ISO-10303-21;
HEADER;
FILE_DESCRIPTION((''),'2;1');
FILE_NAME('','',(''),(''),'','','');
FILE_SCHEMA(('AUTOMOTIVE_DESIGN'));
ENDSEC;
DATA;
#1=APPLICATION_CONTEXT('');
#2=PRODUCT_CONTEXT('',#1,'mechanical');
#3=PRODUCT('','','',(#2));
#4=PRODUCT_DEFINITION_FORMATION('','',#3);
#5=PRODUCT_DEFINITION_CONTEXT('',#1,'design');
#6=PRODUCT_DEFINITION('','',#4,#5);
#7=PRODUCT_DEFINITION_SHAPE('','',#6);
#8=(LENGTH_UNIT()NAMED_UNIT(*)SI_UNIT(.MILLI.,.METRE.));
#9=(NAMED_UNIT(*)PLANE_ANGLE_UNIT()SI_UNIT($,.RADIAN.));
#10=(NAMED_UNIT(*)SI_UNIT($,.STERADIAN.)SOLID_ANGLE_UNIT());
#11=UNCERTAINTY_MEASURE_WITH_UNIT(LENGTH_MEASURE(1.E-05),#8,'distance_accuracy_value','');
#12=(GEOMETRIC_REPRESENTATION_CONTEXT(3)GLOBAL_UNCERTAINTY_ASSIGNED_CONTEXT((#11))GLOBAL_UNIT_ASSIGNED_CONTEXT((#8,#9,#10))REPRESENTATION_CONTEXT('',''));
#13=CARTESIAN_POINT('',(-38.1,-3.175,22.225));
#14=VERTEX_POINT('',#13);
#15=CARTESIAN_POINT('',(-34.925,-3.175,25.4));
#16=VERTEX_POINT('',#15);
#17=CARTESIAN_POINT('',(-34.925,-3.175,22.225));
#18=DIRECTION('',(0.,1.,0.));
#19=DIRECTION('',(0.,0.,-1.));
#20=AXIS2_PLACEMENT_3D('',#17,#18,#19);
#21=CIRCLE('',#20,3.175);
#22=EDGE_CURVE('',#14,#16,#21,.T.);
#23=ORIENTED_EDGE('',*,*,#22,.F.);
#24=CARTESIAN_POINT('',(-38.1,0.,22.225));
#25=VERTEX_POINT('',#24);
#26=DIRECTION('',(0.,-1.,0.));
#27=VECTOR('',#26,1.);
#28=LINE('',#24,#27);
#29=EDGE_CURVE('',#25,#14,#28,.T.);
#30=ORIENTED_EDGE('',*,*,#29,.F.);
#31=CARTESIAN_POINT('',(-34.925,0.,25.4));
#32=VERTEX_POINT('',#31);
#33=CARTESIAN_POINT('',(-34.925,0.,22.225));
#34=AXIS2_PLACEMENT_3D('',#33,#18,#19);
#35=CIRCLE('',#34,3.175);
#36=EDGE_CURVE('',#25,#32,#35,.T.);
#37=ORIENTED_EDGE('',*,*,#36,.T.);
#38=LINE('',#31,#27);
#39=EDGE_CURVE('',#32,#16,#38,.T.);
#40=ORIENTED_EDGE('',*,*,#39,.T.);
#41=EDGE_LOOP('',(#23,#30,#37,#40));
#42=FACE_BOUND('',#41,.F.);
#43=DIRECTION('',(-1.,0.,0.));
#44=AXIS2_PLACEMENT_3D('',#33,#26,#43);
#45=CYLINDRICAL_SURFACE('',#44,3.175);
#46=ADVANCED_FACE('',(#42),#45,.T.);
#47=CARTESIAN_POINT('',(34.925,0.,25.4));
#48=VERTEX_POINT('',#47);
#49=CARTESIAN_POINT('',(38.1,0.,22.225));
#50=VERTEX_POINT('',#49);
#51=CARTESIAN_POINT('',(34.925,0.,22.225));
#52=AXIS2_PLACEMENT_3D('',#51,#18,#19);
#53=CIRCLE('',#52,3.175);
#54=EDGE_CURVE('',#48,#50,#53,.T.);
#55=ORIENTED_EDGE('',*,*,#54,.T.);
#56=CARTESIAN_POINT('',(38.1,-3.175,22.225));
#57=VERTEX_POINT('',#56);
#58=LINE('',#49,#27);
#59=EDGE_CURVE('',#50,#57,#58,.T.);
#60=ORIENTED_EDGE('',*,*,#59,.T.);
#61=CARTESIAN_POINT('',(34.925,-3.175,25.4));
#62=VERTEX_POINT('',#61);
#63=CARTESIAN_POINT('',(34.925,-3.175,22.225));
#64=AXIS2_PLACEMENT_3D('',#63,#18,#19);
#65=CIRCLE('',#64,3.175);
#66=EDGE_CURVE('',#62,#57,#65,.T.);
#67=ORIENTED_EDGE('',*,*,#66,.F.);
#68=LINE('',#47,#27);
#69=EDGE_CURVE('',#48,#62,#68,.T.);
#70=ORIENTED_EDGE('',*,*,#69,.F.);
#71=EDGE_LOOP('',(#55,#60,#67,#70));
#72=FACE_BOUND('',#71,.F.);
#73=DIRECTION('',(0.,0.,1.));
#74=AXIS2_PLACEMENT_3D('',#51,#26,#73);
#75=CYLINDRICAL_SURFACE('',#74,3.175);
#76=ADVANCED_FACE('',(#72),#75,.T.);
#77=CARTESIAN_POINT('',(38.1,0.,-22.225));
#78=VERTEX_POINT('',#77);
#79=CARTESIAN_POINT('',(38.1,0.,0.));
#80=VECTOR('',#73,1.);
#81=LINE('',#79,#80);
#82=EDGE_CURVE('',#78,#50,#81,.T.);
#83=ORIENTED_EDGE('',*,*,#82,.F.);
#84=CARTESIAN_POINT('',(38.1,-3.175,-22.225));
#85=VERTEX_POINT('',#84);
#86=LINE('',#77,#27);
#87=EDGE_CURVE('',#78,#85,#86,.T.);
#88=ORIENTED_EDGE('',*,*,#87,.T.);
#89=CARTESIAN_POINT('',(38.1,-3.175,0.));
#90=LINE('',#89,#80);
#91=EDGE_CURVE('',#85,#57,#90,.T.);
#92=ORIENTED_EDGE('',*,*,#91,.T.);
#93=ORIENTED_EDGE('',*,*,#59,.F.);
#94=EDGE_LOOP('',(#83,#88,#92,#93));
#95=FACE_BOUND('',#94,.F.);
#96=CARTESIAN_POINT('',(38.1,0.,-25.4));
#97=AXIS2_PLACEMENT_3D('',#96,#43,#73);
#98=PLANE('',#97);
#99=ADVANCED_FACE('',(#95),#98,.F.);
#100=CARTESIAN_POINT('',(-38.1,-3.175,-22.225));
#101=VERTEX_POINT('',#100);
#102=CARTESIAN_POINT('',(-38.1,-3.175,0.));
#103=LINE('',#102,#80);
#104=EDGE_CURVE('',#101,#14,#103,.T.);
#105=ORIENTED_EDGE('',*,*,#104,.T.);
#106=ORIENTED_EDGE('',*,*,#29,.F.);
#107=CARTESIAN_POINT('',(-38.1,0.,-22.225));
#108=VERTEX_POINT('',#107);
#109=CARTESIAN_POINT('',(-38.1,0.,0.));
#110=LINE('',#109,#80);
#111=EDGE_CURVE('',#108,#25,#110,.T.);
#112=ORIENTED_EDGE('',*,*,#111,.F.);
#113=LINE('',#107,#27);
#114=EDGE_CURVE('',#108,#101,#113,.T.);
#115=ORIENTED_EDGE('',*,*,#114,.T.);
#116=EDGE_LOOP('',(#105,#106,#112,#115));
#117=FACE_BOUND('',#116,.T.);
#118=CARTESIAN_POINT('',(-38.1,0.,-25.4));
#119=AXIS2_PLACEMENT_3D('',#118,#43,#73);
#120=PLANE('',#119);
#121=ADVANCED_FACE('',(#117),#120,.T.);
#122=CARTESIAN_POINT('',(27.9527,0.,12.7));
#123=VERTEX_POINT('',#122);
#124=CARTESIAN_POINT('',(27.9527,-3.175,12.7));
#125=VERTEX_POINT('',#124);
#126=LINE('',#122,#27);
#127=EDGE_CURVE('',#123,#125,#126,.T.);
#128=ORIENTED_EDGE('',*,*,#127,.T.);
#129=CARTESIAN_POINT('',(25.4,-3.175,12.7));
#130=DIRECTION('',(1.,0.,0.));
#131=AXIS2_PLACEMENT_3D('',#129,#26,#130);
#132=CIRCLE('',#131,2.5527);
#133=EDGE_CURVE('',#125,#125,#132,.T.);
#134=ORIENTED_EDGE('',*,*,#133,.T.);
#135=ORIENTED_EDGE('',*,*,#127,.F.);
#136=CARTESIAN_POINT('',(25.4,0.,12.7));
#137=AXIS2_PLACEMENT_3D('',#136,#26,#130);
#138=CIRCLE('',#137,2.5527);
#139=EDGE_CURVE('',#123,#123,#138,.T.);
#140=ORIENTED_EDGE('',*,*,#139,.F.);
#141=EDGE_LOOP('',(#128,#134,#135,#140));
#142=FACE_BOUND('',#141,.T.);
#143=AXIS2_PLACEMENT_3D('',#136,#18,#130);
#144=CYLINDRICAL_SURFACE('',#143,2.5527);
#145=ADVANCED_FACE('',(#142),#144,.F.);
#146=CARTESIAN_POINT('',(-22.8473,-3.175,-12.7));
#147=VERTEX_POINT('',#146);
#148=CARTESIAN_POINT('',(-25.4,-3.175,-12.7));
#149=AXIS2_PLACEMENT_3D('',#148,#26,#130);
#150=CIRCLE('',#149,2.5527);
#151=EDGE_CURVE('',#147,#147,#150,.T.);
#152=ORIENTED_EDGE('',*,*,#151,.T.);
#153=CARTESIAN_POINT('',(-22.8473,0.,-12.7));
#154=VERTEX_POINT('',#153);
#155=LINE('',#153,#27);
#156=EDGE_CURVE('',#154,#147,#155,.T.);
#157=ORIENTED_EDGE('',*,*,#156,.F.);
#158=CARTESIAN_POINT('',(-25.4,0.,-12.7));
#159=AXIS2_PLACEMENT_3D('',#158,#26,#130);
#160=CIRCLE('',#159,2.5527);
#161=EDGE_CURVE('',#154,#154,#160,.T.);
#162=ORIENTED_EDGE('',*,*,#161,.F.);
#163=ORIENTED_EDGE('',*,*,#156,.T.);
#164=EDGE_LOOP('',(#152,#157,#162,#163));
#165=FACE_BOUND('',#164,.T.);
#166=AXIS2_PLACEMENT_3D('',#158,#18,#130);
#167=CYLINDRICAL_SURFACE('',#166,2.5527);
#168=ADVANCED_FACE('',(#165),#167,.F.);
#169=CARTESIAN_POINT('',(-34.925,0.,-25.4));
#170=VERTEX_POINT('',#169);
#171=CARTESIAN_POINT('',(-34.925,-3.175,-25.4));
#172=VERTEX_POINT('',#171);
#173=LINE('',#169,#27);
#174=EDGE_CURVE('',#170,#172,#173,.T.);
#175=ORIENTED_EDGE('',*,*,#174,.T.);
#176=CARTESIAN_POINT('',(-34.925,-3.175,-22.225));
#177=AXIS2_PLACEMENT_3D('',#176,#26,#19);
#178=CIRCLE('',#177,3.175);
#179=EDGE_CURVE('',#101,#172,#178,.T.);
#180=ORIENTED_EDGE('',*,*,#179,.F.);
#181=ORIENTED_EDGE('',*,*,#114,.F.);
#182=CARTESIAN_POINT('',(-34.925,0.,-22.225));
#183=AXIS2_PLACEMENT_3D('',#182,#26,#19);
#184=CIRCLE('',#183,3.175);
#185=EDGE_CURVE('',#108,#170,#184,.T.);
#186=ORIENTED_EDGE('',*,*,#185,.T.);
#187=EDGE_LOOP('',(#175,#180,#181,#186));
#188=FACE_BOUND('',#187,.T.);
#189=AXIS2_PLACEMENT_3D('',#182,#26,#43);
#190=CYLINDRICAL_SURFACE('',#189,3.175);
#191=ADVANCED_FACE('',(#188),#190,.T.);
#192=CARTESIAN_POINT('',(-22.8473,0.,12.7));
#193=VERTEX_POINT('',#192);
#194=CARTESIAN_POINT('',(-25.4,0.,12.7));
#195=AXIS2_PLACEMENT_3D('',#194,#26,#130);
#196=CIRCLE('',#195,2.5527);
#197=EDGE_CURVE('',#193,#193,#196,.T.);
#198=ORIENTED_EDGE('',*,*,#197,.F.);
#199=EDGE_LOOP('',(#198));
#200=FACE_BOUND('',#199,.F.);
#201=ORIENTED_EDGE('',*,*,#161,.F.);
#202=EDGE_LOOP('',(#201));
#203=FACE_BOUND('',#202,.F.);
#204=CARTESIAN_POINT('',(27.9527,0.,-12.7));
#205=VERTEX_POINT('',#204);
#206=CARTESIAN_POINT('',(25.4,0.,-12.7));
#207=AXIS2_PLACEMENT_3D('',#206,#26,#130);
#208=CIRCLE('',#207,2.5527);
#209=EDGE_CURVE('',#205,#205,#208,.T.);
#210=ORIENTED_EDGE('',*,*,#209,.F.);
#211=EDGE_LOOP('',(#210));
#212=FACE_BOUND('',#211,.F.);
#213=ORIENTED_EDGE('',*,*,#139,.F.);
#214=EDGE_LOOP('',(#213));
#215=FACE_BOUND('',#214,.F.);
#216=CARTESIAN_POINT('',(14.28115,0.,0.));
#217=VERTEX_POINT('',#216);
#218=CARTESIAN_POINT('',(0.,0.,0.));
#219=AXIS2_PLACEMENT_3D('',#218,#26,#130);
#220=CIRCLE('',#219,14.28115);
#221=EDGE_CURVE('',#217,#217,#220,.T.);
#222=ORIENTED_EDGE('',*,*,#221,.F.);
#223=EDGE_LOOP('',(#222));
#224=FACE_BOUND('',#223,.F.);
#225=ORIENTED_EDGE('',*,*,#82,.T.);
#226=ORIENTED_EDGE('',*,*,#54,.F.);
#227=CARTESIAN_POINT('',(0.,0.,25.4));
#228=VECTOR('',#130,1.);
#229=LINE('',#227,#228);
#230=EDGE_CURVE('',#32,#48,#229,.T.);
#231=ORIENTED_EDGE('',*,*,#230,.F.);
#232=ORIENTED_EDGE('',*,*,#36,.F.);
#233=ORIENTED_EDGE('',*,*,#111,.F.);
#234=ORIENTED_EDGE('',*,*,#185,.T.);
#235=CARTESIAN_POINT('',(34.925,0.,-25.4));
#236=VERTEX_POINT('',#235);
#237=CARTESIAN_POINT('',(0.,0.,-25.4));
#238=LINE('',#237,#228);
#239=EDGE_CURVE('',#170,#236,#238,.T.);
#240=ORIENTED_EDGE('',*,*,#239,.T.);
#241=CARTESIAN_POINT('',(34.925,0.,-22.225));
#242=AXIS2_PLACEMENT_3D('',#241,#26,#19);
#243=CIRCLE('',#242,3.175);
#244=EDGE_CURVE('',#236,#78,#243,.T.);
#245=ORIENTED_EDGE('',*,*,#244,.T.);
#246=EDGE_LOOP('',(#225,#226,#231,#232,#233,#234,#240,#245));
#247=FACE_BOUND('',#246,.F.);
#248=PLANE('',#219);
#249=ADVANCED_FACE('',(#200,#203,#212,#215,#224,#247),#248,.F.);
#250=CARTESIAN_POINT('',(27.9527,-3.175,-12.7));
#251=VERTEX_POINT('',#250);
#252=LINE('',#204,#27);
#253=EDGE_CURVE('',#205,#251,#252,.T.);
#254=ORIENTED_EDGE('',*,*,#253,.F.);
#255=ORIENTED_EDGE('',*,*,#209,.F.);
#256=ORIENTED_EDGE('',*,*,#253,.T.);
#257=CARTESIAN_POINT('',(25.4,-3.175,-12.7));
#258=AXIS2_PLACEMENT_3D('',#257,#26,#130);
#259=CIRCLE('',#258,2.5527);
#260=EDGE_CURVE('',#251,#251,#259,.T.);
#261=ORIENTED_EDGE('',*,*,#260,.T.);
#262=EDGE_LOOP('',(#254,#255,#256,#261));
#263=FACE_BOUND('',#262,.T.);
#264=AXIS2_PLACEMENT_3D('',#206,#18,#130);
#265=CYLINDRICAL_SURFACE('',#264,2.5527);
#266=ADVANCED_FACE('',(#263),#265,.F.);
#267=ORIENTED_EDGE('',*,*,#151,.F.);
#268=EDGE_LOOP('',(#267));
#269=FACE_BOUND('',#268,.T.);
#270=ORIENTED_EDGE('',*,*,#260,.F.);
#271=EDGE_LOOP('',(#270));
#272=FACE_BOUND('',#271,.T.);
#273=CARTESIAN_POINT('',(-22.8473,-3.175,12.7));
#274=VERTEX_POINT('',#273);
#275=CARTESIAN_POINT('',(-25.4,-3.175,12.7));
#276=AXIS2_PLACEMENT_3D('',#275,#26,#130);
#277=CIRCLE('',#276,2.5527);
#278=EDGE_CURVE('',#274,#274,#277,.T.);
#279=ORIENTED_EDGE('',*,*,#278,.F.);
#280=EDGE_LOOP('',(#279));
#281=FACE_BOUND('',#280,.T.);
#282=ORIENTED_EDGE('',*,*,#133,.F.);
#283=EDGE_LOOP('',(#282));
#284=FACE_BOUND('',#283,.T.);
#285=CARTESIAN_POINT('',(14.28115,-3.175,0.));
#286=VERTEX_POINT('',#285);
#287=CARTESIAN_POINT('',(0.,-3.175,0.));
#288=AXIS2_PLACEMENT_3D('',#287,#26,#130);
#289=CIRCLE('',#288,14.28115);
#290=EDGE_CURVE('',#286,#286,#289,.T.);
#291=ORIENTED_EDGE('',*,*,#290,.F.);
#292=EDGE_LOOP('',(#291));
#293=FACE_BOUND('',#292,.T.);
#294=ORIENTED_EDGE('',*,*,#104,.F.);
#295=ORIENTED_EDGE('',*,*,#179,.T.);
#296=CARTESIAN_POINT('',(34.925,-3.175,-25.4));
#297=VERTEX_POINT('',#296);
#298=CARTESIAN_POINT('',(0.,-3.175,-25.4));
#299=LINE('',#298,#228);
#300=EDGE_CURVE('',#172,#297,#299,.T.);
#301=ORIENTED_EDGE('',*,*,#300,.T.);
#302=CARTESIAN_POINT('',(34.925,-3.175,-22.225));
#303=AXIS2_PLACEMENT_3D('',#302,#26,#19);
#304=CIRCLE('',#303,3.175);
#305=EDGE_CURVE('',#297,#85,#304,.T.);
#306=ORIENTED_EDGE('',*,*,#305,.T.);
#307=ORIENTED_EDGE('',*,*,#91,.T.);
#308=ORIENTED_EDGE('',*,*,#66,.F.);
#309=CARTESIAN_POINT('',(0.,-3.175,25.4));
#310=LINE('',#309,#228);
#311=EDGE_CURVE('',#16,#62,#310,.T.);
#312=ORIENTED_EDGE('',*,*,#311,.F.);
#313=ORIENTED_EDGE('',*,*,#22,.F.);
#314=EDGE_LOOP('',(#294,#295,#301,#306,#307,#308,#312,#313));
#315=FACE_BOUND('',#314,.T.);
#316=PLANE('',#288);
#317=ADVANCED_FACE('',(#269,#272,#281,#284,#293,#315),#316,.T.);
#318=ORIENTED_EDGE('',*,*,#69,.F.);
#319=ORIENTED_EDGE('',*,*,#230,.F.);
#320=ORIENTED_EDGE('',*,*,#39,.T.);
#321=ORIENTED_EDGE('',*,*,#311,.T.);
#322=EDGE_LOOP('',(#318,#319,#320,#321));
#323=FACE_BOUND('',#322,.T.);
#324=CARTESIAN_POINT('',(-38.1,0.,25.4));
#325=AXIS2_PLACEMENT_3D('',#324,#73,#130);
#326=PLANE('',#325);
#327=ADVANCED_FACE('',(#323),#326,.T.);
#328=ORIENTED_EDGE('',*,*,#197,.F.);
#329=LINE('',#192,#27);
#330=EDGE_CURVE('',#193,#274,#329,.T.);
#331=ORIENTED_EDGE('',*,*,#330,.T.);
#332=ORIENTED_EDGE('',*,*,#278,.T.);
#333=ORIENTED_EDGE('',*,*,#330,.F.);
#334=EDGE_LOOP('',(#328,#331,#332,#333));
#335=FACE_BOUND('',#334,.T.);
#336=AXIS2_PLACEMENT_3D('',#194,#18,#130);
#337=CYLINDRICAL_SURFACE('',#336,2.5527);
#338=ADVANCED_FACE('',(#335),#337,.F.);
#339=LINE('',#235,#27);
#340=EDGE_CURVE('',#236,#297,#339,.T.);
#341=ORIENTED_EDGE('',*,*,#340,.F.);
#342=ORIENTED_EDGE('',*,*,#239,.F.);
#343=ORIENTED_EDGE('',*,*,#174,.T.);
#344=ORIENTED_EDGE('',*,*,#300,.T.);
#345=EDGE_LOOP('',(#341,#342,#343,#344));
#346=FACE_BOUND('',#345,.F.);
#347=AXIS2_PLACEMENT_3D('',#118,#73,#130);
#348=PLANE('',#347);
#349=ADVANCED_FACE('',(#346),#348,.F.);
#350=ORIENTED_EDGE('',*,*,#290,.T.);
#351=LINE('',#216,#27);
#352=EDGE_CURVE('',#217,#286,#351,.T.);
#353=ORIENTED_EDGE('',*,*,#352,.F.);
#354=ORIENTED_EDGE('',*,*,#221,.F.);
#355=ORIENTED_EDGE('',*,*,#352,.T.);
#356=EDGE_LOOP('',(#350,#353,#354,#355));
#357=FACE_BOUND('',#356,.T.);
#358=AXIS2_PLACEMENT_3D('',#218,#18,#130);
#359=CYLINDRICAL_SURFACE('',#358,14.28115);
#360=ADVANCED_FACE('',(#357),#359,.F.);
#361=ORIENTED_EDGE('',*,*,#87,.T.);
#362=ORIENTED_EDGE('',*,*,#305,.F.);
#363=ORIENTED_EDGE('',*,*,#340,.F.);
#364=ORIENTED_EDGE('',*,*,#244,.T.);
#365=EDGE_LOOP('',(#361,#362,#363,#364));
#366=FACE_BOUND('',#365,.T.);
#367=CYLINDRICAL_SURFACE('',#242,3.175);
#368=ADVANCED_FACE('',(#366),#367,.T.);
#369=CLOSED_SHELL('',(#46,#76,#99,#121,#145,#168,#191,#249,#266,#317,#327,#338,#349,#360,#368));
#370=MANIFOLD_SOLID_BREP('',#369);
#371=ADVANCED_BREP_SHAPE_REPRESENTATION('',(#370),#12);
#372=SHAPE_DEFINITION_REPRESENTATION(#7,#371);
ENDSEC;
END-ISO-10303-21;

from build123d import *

# Parameters (mm, degrees)
F0_W     = 76.2
F0_H     = 50.8
F0_R     = 2.5527
F0_R_2   = 14.28115
F1_DEPTH = 3.175
F2_R     = 3.175


with BuildPart() as f1:
    # F0 (on Front) → F1 (new body)
    with BuildSketch(Plane.XZ):
        Rectangle(F0_W, F0_H)
        with Locations((-25.4, -12.7)):
            Circle(F0_R, mode=Mode.SUBTRACT)
        with Locations((25.4, -12.7)):
            Circle(F0_R, mode=Mode.SUBTRACT)
        Circle(F0_R_2, mode=Mode.SUBTRACT)
        with Locations((-25.4, 12.7)):
            Circle(F0_R, mode=Mode.SUBTRACT)
        with Locations((25.4, 12.7)):
            Circle(F0_R, mode=Mode.SUBTRACT)
    extrude(amount=F1_DEPTH)

    # F2
    f2_edges = [f1.edges().sort_by_distance(p)[0] for p in [
        (-38.1, -1.5875, 25.4),
        (-38.1, -1.5875, -25.4),
        (38.1, -1.5875, -25.4),
        (38.1, -1.5875, 25.4),
    ]]
    fillet(f2_edges, radius=F2_R)


solid = f1.part
